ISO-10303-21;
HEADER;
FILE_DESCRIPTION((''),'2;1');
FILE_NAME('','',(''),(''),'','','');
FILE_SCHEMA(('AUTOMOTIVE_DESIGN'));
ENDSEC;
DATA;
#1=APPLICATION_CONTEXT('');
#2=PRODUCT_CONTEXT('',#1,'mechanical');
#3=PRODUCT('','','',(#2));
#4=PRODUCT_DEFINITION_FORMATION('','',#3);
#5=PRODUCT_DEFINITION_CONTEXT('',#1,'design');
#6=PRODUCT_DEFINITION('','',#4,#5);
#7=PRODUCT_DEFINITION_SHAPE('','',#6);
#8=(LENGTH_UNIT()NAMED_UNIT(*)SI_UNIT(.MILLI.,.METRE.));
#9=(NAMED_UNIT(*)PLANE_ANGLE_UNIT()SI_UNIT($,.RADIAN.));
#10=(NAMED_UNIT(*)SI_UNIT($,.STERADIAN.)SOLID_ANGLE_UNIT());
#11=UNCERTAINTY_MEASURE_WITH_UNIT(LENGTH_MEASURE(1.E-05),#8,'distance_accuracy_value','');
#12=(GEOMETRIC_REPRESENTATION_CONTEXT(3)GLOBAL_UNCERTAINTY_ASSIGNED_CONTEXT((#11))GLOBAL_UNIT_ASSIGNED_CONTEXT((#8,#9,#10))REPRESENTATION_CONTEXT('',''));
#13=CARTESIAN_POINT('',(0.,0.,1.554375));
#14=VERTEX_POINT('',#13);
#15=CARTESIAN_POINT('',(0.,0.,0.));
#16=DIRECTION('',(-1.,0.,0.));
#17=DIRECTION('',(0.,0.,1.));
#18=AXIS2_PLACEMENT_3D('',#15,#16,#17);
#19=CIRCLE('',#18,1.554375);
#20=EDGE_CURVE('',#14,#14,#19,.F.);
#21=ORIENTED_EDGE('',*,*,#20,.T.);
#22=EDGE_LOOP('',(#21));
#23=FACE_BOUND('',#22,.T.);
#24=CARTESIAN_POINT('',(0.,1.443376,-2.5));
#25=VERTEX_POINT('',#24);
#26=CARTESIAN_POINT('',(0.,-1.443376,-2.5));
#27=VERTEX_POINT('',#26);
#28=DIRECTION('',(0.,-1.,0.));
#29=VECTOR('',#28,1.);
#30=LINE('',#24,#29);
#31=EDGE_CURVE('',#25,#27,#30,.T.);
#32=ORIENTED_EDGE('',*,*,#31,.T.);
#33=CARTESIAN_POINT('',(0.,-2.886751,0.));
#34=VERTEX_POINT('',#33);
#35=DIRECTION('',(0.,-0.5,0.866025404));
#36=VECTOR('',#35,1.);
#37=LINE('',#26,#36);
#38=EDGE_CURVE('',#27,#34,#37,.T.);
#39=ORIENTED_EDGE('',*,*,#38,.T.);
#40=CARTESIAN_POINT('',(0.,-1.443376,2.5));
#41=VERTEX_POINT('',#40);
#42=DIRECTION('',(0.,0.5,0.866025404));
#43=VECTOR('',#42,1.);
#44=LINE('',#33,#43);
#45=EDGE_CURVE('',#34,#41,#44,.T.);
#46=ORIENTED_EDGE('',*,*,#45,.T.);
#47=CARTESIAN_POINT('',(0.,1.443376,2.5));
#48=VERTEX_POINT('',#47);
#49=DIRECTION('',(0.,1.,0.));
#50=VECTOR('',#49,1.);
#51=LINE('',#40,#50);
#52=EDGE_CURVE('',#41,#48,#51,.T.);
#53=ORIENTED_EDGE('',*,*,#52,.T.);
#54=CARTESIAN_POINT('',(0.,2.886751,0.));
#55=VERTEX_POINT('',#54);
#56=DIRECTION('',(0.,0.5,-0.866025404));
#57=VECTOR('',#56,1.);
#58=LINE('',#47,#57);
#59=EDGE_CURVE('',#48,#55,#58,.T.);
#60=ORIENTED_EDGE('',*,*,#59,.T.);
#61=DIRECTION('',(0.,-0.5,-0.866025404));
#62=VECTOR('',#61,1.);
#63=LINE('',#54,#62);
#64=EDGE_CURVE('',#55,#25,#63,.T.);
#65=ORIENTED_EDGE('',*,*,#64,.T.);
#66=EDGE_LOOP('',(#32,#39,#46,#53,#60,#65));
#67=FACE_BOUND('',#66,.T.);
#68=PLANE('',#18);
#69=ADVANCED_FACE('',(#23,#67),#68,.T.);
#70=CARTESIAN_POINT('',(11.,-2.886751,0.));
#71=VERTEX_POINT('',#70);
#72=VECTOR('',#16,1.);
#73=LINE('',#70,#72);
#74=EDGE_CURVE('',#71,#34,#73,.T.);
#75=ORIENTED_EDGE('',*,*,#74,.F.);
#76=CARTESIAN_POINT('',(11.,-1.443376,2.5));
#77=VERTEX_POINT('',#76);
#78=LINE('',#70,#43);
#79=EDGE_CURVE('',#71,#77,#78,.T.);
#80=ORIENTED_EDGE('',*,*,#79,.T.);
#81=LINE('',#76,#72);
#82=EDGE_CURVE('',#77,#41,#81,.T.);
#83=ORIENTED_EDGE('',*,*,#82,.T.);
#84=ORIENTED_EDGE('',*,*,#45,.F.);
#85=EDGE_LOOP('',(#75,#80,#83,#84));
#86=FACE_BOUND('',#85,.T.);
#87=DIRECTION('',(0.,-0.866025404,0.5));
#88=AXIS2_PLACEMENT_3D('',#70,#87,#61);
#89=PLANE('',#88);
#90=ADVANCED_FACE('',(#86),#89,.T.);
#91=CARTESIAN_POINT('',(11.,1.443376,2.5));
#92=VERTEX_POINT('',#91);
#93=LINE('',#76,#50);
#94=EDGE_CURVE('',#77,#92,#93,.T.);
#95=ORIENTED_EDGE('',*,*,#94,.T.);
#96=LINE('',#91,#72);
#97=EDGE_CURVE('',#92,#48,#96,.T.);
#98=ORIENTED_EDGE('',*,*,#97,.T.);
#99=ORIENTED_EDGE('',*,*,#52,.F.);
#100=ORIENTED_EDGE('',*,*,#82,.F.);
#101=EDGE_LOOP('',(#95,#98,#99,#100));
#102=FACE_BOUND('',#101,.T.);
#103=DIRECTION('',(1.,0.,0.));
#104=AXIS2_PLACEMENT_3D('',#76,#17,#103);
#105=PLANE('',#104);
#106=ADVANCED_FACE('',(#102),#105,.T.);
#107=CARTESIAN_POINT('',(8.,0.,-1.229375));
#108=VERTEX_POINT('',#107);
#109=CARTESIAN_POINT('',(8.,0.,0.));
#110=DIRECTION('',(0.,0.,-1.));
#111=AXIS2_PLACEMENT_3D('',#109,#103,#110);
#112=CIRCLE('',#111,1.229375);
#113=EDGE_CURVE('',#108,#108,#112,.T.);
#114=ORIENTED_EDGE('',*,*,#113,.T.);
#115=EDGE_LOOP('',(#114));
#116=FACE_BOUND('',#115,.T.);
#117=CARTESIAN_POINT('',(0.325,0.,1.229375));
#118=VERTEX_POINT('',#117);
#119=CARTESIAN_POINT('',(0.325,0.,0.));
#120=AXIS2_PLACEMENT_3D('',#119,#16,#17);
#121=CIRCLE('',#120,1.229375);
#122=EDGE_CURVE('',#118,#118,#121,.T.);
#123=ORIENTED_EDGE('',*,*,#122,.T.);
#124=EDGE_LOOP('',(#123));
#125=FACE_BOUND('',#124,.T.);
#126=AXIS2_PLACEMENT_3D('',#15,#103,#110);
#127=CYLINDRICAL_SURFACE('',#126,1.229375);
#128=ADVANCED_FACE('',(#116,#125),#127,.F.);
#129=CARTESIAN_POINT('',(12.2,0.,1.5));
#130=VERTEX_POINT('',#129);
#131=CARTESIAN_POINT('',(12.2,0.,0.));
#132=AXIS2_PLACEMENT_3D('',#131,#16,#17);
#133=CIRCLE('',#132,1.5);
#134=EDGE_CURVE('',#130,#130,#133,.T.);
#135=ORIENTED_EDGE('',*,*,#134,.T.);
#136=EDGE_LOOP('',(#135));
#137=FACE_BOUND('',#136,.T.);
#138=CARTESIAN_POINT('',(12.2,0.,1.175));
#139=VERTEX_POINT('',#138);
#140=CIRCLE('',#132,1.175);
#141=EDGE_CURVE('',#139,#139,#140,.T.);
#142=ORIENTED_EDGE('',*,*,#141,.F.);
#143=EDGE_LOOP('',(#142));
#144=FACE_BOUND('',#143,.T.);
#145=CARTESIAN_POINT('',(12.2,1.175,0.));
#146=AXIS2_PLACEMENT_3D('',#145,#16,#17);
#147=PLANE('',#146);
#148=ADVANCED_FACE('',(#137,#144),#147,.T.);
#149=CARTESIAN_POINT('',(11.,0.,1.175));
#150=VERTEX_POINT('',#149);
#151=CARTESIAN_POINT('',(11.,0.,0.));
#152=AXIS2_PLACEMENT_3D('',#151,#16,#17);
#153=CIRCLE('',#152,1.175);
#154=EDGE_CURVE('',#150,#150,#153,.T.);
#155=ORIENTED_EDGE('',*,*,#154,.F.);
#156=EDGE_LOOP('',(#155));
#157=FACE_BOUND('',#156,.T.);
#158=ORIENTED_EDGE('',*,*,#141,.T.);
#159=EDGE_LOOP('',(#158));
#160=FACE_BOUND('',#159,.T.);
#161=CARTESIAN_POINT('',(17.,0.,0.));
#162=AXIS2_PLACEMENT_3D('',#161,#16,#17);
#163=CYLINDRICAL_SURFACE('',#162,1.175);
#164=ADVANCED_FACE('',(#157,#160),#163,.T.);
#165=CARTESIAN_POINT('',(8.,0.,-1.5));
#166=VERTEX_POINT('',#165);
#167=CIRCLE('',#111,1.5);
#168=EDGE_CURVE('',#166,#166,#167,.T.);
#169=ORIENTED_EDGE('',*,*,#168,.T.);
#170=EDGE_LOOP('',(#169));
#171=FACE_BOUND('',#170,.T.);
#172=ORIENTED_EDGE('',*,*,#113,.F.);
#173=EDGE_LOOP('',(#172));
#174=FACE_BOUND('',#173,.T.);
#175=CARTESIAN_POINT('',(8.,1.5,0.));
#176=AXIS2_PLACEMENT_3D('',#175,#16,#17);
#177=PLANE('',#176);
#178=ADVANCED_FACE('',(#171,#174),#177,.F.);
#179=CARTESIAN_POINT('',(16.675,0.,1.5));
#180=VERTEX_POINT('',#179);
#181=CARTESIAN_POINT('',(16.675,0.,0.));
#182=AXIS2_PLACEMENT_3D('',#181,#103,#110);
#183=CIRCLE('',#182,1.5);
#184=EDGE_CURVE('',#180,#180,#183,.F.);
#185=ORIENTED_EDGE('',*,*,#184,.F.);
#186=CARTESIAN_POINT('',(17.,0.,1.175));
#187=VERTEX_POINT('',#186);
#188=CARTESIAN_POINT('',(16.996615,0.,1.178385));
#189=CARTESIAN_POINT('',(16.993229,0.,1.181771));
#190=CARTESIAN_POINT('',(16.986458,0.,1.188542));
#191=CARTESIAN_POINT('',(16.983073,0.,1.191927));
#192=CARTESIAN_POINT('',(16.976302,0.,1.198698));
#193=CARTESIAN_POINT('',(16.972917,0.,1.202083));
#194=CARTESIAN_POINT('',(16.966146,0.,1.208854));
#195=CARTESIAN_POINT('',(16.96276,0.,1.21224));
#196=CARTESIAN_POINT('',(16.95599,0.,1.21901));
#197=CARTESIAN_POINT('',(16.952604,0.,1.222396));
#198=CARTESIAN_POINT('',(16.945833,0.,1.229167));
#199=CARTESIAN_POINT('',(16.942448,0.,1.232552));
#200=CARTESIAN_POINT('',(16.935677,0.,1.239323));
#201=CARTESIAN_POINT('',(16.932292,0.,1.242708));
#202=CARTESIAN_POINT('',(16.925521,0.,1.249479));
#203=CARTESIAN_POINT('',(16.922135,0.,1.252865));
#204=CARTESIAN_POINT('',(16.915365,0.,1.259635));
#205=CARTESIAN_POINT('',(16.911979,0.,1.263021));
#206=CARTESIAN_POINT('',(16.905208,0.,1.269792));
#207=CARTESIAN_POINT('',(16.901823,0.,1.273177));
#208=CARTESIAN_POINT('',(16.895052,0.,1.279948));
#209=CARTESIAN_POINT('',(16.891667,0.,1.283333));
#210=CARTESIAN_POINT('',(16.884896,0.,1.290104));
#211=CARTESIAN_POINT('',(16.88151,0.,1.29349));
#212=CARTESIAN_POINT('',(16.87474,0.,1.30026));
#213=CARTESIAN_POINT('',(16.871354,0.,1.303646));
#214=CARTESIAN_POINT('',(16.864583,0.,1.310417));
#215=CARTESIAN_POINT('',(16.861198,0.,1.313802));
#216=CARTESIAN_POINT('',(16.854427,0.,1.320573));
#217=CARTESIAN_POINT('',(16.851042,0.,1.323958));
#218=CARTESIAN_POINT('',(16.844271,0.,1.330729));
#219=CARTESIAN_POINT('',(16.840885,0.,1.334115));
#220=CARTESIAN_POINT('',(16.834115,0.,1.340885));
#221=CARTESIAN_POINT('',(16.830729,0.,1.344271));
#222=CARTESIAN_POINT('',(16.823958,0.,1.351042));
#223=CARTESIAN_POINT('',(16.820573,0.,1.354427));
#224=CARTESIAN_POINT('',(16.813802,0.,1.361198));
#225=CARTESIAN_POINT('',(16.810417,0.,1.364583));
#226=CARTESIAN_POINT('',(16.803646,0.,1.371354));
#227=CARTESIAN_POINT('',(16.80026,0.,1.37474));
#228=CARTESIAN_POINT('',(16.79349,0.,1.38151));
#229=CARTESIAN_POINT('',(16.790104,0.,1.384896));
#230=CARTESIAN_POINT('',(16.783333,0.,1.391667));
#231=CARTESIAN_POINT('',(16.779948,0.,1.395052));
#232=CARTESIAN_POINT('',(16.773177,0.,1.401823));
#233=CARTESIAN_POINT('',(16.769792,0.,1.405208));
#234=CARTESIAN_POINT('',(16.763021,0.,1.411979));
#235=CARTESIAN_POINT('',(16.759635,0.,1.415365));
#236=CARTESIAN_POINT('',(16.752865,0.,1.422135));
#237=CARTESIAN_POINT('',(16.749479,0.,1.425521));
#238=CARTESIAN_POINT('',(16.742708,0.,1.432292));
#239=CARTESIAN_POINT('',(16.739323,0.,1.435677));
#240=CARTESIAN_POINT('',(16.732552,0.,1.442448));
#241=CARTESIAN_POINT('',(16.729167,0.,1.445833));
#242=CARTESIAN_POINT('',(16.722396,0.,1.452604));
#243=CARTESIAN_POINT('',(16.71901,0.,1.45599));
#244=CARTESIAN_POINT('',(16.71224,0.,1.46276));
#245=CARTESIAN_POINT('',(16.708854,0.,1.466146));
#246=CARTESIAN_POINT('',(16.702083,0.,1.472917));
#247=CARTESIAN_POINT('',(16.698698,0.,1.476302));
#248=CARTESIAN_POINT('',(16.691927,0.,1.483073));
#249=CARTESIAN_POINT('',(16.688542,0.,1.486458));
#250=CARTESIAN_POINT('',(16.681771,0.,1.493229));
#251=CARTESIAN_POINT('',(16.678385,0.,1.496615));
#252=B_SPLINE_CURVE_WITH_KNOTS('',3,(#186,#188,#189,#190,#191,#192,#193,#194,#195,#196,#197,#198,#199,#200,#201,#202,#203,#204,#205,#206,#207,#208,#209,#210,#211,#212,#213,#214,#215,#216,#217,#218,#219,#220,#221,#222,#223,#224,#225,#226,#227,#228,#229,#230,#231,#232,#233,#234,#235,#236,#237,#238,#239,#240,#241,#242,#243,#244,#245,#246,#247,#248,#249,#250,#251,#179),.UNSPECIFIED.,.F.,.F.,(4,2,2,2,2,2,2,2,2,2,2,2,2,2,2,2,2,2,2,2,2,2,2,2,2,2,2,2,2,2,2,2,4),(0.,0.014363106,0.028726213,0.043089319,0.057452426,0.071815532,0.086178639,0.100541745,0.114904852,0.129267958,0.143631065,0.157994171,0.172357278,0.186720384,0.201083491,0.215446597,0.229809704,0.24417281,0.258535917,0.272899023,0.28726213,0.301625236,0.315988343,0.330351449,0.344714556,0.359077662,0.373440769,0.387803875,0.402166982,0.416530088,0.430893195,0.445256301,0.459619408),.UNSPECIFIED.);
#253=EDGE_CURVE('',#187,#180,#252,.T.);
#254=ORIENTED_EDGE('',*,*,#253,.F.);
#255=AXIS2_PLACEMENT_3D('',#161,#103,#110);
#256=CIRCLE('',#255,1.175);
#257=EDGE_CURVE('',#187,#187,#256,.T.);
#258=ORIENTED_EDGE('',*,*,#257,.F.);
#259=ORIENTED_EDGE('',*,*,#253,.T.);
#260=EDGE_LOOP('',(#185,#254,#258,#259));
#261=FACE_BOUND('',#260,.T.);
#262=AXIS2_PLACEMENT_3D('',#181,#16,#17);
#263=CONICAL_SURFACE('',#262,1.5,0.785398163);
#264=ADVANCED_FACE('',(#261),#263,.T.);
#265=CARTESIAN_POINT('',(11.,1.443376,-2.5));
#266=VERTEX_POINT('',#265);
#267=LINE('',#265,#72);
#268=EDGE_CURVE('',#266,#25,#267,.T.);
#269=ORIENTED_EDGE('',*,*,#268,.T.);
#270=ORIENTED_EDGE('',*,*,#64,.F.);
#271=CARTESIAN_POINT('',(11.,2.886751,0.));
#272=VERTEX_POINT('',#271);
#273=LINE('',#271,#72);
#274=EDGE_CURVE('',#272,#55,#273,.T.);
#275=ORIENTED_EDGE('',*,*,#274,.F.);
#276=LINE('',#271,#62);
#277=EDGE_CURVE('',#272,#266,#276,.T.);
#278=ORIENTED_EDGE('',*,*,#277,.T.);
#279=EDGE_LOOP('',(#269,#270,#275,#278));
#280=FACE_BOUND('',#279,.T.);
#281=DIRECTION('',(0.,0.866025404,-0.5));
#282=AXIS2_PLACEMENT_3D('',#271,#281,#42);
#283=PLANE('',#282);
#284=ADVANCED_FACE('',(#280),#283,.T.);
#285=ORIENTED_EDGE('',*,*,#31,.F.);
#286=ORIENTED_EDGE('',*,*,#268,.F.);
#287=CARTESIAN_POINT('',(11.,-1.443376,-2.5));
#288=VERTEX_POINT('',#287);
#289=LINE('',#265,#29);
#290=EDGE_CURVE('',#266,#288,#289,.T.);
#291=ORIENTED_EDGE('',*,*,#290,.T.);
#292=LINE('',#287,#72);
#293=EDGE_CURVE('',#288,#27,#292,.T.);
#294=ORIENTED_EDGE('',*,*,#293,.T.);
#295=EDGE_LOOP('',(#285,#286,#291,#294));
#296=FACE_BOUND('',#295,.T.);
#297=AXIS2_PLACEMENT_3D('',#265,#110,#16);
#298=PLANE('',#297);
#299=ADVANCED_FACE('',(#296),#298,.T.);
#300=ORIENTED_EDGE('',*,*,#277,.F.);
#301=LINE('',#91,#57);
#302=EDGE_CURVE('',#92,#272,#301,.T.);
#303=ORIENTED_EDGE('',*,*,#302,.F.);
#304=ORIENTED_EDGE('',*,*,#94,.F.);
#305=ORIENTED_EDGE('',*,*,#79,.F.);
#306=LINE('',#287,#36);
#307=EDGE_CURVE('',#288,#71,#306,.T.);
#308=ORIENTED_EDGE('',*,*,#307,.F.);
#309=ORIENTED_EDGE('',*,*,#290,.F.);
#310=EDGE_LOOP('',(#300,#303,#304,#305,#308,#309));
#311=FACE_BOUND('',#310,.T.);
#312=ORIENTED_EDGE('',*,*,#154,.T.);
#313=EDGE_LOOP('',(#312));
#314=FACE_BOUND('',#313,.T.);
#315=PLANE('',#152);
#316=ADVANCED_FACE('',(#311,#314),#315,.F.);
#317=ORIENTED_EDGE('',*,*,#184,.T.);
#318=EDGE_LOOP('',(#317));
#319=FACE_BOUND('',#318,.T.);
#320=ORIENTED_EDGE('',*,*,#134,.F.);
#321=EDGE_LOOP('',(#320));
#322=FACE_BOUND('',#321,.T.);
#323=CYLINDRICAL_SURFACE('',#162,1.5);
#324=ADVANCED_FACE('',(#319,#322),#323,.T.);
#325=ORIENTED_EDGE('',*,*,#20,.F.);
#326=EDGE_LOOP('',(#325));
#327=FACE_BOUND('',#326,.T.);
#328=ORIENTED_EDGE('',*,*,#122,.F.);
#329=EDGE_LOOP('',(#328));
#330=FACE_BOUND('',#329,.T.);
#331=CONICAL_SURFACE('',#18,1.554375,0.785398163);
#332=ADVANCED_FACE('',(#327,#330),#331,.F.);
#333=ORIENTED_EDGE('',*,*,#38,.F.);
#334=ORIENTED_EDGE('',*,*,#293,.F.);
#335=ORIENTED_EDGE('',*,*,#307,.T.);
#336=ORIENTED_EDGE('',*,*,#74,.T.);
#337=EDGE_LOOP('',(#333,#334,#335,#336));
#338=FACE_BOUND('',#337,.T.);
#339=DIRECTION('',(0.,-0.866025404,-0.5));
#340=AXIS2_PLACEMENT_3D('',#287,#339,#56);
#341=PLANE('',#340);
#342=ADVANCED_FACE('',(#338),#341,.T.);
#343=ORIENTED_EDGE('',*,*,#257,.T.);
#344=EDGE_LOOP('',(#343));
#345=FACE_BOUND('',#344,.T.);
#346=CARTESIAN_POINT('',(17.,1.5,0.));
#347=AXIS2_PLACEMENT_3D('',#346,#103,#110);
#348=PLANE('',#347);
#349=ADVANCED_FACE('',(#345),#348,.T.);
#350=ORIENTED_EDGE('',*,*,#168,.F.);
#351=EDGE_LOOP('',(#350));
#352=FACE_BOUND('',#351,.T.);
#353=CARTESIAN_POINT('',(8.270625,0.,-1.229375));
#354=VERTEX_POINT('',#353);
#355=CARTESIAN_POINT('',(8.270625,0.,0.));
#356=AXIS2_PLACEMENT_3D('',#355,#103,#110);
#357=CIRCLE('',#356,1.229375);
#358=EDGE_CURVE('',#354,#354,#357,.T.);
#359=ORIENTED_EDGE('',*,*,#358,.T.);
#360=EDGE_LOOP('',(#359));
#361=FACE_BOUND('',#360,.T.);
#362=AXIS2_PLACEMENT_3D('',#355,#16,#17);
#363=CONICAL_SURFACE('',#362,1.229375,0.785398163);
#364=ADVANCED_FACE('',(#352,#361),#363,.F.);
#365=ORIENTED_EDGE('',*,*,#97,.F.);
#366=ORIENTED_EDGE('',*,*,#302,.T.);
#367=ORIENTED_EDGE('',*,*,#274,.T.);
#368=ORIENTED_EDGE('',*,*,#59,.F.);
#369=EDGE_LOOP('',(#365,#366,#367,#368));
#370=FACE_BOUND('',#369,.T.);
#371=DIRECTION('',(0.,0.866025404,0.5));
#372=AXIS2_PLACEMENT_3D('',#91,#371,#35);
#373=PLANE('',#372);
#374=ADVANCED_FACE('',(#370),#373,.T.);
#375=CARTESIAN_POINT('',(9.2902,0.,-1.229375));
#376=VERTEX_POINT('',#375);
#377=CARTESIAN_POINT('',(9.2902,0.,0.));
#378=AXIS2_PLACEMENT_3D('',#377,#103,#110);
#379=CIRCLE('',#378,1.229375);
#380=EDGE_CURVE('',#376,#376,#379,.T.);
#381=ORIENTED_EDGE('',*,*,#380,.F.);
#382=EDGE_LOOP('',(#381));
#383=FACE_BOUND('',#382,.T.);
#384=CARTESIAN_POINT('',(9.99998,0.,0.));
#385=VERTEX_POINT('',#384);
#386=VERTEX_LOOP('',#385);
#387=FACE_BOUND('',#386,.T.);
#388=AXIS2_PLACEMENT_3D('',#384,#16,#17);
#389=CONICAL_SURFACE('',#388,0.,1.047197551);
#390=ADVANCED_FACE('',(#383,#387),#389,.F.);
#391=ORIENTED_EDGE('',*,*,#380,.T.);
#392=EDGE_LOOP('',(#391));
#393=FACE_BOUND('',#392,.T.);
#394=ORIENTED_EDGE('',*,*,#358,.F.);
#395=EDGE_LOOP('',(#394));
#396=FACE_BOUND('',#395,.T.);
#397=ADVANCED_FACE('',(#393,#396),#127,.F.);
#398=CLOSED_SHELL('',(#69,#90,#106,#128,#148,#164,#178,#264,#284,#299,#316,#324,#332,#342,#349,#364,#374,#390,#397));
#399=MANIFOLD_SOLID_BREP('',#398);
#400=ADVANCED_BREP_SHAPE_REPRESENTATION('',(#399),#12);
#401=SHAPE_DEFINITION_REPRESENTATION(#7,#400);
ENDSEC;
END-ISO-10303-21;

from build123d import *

# Parameters (mm, degrees)
BOSS_EXTRUDE1_DEPTH = 11
CHAMFER1_SIZE       = 0.325


with BuildPart() as part:
    # Sketch1 → Boss-Extrude1 (new body)
    with BuildSketch(Plane(origin=(0, 0, 0), x_dir=(0, -1, 0), z_dir=(-1, 0, 0))):
        Polygon((2.886751346, 0), (1.443375673, 2.5), (-1.443375673, 2.5), (-2.886751346, 0), (-1.443375673, -2.5), (1.443375673, -2.5), align=None)
    extrude(amount=-BOSS_EXTRUDE1_DEPTH)

    # Sketch2 → Cut-Revolve1 (revolve, cut)
    with BuildSketch(Plane.XY, mode=Mode.PRIVATE) as cut_revolve1_sk:
        Polygon((0, 1.229375), (0, 0), (9.999979987, 0), (9.2902, 1.229375), (8.270625, 1.229375), (8, 1.5), (8, 1.229375), align=None)
    revolve(cut_revolve1_sk.sketch.rotate(Axis((0, 0, 0), (1, 0, 0)), 270), axis=Axis((0, 0, 0), (1, 0, 0)), mode=Mode.SUBTRACT)

    # Sketch3 → Revolve1 (revolve)
    with BuildSketch(Plane(origin=(0, 0, 0), x_dir=(-1, 0, 0), z_dir=(0, 0, -1)), mode=Mode.PRIVATE) as revolve1_sk:
        Polygon((-17, 1.5), (-17, 0), (-11, 0), (-11, 1.175), (-12.2, 1.175), (-12.2, 1.5), align=None)
    revolve(revolve1_sk.sketch.rotate(Axis((17, 0, 0), (-1, 0, 0)), 270), axis=Axis((17, 0, 0), (-1, 0, 0)))

    # Chamfer1
    chamfer1_edges = [part.edges().sort_by_distance(p)[0] for p in [
        (0, 0, 1.229375),
        (17, 0, -1.5),
    ]]
    chamfer(chamfer1_edges, length=CHAMFER1_SIZE)


solid = part.part
